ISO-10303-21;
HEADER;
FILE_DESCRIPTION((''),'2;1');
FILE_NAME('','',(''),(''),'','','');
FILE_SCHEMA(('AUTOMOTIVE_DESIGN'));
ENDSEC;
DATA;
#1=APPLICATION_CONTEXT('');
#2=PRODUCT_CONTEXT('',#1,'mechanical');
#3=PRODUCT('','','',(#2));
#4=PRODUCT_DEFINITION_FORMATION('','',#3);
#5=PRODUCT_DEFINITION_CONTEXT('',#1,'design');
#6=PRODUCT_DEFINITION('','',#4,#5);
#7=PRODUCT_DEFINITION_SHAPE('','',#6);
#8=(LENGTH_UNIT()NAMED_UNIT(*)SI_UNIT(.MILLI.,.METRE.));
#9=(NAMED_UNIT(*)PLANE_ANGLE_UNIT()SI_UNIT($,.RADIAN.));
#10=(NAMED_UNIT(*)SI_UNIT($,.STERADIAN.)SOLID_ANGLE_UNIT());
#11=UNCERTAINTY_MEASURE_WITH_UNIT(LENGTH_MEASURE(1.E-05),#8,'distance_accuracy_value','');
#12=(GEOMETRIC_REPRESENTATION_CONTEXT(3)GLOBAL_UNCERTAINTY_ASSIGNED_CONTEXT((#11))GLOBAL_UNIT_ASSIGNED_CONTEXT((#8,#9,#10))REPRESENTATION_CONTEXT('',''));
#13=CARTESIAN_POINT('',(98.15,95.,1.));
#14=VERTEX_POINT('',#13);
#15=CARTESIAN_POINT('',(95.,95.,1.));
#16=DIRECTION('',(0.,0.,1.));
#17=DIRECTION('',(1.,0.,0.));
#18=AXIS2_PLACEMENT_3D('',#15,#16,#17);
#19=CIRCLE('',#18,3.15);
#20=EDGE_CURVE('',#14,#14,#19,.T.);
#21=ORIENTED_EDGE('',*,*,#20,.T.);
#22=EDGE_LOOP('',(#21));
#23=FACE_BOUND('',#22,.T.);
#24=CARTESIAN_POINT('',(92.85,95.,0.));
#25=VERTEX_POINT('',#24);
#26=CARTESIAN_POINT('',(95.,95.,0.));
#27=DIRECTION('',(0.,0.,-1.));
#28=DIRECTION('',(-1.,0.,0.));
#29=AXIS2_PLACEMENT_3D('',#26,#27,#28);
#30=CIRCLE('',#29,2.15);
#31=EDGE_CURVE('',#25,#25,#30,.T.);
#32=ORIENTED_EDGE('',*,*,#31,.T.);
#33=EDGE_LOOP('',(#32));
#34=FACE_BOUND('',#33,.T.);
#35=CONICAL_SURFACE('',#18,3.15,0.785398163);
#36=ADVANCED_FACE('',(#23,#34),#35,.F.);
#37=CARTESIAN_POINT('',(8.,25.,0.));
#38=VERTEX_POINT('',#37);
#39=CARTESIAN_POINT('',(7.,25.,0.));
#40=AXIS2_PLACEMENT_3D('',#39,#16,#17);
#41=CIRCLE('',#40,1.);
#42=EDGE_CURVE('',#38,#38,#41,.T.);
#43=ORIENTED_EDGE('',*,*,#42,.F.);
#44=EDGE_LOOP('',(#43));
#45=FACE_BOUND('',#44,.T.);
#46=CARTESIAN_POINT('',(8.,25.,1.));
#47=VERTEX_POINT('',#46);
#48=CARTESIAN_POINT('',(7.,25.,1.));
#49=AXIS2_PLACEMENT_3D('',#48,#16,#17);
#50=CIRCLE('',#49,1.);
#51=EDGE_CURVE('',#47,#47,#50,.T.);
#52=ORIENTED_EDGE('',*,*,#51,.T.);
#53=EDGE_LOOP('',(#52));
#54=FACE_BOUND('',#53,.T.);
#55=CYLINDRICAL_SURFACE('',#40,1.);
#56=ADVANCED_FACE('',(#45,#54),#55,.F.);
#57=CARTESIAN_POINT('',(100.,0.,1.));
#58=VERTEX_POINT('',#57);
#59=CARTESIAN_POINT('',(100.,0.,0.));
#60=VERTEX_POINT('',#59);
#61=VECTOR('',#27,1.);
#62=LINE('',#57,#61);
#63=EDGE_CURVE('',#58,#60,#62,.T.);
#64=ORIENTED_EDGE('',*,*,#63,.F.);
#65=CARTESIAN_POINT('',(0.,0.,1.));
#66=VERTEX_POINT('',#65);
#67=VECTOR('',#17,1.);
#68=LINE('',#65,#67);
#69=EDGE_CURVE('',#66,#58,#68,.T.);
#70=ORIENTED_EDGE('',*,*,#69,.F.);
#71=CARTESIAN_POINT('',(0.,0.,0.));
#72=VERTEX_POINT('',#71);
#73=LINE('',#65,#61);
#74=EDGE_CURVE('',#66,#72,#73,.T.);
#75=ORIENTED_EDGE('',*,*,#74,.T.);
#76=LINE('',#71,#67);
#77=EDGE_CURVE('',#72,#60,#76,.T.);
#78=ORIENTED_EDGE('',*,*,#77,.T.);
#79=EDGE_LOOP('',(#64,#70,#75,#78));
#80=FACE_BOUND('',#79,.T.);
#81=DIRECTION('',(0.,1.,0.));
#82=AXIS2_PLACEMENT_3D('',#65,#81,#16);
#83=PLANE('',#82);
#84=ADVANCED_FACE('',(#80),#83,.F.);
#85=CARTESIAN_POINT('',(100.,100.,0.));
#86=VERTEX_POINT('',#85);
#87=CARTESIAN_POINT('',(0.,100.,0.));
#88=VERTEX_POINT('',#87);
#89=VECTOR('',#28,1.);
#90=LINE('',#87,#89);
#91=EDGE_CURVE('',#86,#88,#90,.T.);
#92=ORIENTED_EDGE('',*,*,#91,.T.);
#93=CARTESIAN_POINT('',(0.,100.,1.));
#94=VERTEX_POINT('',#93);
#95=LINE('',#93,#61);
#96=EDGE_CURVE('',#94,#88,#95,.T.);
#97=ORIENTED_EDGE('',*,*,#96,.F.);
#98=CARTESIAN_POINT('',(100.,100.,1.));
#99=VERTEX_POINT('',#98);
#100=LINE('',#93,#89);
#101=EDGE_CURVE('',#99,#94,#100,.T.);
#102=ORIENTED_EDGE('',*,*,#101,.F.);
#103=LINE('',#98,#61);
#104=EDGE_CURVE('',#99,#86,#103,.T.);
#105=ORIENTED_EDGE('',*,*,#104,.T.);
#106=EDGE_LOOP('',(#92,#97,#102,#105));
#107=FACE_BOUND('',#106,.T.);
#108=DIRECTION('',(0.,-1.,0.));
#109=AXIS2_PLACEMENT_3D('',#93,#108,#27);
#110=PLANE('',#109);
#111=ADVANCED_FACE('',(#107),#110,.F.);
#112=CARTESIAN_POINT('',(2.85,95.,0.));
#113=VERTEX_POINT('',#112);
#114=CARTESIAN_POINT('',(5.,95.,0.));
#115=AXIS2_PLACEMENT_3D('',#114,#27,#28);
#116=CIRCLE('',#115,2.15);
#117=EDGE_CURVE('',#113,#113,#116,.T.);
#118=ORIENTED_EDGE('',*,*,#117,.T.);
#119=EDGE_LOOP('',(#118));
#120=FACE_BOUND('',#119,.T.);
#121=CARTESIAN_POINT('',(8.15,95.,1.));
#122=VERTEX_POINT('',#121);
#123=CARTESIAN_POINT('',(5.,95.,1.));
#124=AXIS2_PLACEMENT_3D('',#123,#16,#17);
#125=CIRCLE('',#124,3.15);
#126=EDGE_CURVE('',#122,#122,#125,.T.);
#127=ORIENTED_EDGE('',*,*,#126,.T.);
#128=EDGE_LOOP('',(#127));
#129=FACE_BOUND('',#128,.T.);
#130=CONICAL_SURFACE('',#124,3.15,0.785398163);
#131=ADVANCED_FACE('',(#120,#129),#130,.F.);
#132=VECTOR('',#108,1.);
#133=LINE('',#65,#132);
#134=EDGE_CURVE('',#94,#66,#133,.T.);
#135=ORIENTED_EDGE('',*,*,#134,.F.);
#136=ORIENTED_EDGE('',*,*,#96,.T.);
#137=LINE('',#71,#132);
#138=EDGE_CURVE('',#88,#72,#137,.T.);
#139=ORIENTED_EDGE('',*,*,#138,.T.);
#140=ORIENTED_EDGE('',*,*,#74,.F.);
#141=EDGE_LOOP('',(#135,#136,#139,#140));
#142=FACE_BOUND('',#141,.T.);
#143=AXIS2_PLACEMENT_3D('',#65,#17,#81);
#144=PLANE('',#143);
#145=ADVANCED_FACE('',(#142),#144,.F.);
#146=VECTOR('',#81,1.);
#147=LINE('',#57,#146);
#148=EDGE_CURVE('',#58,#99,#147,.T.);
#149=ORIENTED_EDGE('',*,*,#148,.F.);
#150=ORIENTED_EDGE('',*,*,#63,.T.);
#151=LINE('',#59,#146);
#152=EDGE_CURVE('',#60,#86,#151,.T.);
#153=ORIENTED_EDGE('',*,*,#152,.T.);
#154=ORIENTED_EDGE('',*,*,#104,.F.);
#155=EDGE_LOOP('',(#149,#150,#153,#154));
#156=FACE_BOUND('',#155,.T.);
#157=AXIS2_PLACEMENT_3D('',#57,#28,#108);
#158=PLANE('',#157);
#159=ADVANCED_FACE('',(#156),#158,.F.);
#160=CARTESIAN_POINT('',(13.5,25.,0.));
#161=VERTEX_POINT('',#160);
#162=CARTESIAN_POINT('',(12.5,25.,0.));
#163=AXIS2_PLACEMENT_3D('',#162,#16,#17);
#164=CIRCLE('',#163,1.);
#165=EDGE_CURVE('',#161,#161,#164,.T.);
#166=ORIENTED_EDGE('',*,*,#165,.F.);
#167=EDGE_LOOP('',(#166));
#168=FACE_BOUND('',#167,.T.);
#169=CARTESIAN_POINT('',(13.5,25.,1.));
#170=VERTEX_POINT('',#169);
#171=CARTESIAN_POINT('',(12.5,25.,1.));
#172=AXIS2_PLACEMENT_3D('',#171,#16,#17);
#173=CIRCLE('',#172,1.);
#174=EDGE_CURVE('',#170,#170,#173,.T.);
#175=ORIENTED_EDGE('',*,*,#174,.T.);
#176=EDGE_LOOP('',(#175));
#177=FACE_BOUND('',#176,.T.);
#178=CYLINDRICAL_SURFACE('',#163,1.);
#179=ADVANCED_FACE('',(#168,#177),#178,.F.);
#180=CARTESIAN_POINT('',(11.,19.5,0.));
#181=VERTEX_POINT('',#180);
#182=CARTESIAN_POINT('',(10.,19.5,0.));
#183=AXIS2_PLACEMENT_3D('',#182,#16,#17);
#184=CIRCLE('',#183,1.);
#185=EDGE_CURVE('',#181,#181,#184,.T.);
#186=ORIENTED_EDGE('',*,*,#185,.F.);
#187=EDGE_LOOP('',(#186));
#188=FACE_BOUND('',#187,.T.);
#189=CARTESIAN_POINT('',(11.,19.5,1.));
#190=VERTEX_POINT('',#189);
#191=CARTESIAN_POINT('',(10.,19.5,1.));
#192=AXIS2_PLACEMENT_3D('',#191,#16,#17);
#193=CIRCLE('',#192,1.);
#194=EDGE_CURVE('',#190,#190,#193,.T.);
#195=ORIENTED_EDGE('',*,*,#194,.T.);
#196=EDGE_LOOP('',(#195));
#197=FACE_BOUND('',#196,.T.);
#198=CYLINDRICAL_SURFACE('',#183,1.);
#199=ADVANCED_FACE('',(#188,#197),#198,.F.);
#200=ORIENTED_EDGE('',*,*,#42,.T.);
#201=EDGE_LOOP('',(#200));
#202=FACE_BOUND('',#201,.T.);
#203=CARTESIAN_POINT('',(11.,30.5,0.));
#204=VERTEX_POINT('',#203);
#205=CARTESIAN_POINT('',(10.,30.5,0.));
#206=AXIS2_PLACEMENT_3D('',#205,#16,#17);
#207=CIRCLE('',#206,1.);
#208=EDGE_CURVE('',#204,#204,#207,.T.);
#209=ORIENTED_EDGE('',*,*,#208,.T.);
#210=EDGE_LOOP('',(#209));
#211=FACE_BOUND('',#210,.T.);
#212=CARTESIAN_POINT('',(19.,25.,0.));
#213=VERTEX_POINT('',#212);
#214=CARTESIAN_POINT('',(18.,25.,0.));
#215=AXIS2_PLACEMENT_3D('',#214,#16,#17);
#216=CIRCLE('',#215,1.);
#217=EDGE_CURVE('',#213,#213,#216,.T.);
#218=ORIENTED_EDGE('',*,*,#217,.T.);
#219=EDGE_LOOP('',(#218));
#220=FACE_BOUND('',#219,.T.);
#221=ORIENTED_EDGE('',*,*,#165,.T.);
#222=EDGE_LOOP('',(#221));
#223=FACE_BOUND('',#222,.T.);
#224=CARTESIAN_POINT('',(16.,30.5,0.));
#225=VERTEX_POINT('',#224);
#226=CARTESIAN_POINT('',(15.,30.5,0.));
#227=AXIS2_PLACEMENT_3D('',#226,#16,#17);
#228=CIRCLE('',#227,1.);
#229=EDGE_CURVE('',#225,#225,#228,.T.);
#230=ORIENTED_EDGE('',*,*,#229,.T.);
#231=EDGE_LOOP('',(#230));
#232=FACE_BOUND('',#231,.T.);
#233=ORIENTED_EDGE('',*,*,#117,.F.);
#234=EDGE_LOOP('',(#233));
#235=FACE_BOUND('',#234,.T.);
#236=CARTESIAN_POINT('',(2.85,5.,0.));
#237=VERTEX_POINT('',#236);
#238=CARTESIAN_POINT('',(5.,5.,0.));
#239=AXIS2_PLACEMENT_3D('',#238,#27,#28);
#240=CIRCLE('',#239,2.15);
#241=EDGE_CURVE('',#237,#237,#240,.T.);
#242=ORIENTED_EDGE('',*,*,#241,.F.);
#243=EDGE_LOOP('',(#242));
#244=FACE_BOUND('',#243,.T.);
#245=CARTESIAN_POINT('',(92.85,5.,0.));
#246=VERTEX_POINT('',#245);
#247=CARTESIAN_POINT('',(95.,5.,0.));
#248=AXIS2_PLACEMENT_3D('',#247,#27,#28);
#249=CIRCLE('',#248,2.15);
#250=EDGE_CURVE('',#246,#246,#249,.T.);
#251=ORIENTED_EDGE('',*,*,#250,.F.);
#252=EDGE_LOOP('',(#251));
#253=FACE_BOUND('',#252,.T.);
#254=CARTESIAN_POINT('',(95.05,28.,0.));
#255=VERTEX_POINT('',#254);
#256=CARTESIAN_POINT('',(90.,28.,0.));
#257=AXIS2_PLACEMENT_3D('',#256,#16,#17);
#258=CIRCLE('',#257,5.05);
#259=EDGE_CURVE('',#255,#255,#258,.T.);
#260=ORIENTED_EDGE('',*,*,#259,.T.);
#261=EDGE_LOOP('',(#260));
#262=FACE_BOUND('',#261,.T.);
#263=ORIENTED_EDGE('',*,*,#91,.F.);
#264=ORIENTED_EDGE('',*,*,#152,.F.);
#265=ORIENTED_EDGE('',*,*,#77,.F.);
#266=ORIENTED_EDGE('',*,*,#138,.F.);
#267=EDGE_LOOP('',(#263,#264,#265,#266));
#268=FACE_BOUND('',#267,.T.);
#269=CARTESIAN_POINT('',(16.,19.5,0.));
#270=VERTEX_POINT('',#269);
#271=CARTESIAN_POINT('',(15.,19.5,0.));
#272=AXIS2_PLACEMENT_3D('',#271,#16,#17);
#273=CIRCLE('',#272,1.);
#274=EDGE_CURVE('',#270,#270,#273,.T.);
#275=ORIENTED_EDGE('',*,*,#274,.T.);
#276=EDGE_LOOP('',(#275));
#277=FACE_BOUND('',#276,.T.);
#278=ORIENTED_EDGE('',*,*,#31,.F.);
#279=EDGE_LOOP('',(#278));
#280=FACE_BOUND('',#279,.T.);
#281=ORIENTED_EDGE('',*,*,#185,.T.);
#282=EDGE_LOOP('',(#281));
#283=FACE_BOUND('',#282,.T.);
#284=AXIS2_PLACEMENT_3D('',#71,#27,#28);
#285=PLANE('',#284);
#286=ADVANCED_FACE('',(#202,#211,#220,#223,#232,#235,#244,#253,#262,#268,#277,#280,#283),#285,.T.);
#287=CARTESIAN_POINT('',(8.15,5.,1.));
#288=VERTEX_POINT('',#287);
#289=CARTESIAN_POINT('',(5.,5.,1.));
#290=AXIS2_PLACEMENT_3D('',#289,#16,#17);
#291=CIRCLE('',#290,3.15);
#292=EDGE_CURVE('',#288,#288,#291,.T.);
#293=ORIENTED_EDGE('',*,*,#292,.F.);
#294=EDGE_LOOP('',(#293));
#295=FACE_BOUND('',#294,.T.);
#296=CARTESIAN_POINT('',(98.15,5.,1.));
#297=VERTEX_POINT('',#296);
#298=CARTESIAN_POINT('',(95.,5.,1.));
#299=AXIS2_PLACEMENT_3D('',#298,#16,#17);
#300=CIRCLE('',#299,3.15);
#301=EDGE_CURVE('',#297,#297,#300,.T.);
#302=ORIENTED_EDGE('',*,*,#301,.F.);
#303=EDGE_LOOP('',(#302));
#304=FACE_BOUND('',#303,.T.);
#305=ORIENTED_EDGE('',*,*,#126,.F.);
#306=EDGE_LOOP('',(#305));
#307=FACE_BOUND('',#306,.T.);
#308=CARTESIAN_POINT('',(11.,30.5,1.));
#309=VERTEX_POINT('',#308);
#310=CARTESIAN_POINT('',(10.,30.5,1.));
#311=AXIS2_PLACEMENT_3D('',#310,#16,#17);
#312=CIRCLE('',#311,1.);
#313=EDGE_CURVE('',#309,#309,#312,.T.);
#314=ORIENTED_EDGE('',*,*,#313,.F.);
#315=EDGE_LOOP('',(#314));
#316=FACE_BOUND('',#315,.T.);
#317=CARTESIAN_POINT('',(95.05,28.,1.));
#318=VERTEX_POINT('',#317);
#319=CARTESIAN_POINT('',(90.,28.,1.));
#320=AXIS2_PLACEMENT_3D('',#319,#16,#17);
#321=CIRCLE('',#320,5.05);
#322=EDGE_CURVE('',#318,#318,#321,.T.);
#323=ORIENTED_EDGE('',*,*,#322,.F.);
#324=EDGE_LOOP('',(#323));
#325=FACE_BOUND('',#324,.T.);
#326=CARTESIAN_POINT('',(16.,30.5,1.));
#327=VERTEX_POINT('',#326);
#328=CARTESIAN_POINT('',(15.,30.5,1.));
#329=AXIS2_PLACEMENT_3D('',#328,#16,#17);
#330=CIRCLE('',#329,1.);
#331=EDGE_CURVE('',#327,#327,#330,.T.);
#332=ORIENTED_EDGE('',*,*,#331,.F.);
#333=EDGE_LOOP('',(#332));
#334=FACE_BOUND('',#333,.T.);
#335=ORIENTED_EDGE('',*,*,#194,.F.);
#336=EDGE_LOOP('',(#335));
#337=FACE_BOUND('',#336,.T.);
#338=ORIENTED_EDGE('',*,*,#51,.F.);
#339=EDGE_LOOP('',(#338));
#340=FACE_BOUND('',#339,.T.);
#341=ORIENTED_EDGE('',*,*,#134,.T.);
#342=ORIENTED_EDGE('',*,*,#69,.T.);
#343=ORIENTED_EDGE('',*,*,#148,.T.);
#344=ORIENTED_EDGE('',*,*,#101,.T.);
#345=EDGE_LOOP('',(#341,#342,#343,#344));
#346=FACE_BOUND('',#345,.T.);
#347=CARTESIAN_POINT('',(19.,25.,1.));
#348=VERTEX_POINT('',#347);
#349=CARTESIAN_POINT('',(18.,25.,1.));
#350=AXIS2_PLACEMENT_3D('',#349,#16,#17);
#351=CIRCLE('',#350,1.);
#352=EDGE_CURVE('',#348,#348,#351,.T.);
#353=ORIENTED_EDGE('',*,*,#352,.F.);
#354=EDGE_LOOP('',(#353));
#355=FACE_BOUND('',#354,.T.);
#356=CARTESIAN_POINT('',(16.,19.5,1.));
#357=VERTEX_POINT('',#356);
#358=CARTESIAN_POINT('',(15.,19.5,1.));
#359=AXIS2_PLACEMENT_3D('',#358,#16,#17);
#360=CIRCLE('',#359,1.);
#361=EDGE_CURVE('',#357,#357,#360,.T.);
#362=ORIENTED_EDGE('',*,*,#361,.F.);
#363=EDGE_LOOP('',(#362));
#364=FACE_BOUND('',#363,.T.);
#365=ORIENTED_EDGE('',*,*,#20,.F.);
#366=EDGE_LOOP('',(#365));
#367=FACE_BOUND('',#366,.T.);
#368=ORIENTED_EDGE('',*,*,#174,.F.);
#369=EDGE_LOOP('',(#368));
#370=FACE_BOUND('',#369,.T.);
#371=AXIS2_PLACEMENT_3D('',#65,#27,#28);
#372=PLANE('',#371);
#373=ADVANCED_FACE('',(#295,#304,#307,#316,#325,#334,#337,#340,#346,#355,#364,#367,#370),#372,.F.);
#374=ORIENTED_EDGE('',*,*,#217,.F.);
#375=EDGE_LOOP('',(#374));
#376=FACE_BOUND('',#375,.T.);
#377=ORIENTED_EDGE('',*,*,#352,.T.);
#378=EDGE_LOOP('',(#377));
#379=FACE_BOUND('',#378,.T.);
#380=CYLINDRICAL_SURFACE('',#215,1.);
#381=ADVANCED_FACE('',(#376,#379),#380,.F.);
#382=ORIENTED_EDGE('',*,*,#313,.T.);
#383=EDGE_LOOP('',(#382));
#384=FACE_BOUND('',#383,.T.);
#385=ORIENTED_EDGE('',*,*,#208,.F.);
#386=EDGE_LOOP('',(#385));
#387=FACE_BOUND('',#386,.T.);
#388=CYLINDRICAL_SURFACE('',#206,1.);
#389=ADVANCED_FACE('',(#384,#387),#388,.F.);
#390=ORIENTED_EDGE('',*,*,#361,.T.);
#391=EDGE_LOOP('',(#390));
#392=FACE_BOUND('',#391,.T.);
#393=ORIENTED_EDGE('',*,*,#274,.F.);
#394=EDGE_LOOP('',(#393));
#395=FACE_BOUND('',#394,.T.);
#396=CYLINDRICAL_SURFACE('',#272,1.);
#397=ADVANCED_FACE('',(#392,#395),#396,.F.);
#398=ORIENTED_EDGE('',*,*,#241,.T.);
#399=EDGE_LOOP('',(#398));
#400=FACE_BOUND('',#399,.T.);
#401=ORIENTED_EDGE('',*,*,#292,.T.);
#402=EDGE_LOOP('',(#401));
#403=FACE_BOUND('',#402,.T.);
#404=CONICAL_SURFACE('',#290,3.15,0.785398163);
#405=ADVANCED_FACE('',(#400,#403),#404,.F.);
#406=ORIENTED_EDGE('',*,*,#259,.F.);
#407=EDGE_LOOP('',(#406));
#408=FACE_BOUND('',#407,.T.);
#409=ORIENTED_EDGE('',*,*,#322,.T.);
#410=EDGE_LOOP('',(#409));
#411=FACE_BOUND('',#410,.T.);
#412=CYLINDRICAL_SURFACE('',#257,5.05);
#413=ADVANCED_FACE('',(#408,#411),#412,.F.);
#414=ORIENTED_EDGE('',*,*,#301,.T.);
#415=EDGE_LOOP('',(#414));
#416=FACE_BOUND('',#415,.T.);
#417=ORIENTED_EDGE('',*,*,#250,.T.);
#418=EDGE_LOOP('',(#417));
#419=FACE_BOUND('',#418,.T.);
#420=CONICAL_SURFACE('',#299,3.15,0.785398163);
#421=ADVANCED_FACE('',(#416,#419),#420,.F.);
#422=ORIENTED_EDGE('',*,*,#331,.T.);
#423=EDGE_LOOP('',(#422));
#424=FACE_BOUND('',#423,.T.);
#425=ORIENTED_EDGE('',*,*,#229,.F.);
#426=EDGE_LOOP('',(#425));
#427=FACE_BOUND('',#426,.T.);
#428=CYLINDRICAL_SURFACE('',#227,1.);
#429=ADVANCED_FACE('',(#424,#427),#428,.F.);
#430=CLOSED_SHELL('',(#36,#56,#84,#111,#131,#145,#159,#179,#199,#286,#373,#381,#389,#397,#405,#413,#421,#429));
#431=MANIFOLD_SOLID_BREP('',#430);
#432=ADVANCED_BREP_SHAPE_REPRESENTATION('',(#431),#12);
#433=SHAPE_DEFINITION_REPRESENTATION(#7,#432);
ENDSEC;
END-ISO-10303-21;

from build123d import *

# Parameters (mm, degrees)
ESQUISSE1_W                                 = 100
ESQUISSE1_H                                 = 100
BOSS_EXTRU_1_DEPTH                          = 1
FRAISAGE_POUR_VIS_T_TE_FRAIS_E_M31_AT_COUNT = 2
FRAISAGE_POUR_VIS_T_TE_FRAIS_E_M31_AT_PITCH = 90
FRAISAGE_POUR_VIS_T_TE_FRAIS_E_M31_2_COUNT  = 2
FRAISAGE_POUR_VIS_T_TE_FRAIS_E_M31_2_PITCH  = 127.279220614
FRAISAGE_POUR_VIS_T_TE_FRAIS_E_M31_3_COUNT  = 2
FRAISAGE_POUR_VIS_T_TE_FRAIS_E_M31_3_PITCH  = 90
ESQUISSE4_R                                 = 5.05
ESQUISSE4_R_2                               = 1
ENL_V_MAT_EXTRU_1_DEPTH                     = 2


with BuildPart() as part:
    # Esquisse1 → Boss.-Extru.1 (new body)
    with BuildSketch(Plane.XY):
        with Locations((50, 50)):
            Rectangle(ESQUISSE1_W, ESQUISSE1_H)
    extrude(amount=BOSS_EXTRU_1_DEPTH)

    # Esquisse3 → Fraisage pour vis à tête fraisée M31 (revolve, cut)
    with BuildSketch(Plane(origin=(5, 95, 1), x_dir=(0, -1, 0), z_dir=(1, 0, 0))):
        Polygon((0, 0), (0, 1), (1.8, 1), (1.8, 1.35), (3.15, 0), align=None)
    fraisage_pour_vis_t_te_frais_e_m31 = revolve(axis=Axis((5, 95, 7.35), (0, 0, -1)), mode=Mode.SUBTRACT)

    # Fraisage pour vis à tête fraisée M31 at: Fraisage pour vis à tête fraisée M31 ×2
    with Locations(*[(i * FRAISAGE_POUR_VIS_T_TE_FRAIS_E_M31_AT_PITCH, 0, 0) for i in range(1, FRAISAGE_POUR_VIS_T_TE_FRAIS_E_M31_AT_COUNT)]):
        add(fraisage_pour_vis_t_te_frais_e_m31, mode=Mode.SUBTRACT)

    # Fraisage pour vis _ t_te frais_e M31 2: Fraisage pour vis à tête fraisée M31 ×2
    with Locations(*[Vector(0.707106781, -0.707106781, 0) * (i * FRAISAGE_POUR_VIS_T_TE_FRAIS_E_M31_2_PITCH) for i in range(1, FRAISAGE_POUR_VIS_T_TE_FRAIS_E_M31_2_COUNT)]):
        add(fraisage_pour_vis_t_te_frais_e_m31, mode=Mode.SUBTRACT)

    # Fraisage pour vis _ t_te frais_e M31 3: Fraisage pour vis à tête fraisée M31 ×2
    with Locations(*[(0, -i * FRAISAGE_POUR_VIS_T_TE_FRAIS_E_M31_3_PITCH, 0) for i in range(1, FRAISAGE_POUR_VIS_T_TE_FRAIS_E_M31_3_COUNT)]):
        add(fraisage_pour_vis_t_te_frais_e_m31, mode=Mode.SUBTRACT)

    # Esquisse4 → Enlèv. mat.-Extru.1 (cut, through all)
    with BuildSketch(Plane.XY.offset(1)):
        with Locations((90, 28)):
            Circle(ESQUISSE4_R)
        with Locations((12.5, 25)):
            Circle(ESQUISSE4_R_2)
        with Locations((10, 19.5)):
            Circle(ESQUISSE4_R_2)
        with Locations((7, 25)):
            Circle(ESQUISSE4_R_2)
        with Locations((18, 25)):
            Circle(ESQUISSE4_R_2)
        with Locations((10, 30.5)):
            Circle(ESQUISSE4_R_2)
        with Locations((15, 30.5)):
            Circle(ESQUISSE4_R_2)
        with Locations((15, 19.5)):
            Circle(ESQUISSE4_R_2)
    extrude(amount=-ENL_V_MAT_EXTRU_1_DEPTH, mode=Mode.SUBTRACT)


solid = part.part
